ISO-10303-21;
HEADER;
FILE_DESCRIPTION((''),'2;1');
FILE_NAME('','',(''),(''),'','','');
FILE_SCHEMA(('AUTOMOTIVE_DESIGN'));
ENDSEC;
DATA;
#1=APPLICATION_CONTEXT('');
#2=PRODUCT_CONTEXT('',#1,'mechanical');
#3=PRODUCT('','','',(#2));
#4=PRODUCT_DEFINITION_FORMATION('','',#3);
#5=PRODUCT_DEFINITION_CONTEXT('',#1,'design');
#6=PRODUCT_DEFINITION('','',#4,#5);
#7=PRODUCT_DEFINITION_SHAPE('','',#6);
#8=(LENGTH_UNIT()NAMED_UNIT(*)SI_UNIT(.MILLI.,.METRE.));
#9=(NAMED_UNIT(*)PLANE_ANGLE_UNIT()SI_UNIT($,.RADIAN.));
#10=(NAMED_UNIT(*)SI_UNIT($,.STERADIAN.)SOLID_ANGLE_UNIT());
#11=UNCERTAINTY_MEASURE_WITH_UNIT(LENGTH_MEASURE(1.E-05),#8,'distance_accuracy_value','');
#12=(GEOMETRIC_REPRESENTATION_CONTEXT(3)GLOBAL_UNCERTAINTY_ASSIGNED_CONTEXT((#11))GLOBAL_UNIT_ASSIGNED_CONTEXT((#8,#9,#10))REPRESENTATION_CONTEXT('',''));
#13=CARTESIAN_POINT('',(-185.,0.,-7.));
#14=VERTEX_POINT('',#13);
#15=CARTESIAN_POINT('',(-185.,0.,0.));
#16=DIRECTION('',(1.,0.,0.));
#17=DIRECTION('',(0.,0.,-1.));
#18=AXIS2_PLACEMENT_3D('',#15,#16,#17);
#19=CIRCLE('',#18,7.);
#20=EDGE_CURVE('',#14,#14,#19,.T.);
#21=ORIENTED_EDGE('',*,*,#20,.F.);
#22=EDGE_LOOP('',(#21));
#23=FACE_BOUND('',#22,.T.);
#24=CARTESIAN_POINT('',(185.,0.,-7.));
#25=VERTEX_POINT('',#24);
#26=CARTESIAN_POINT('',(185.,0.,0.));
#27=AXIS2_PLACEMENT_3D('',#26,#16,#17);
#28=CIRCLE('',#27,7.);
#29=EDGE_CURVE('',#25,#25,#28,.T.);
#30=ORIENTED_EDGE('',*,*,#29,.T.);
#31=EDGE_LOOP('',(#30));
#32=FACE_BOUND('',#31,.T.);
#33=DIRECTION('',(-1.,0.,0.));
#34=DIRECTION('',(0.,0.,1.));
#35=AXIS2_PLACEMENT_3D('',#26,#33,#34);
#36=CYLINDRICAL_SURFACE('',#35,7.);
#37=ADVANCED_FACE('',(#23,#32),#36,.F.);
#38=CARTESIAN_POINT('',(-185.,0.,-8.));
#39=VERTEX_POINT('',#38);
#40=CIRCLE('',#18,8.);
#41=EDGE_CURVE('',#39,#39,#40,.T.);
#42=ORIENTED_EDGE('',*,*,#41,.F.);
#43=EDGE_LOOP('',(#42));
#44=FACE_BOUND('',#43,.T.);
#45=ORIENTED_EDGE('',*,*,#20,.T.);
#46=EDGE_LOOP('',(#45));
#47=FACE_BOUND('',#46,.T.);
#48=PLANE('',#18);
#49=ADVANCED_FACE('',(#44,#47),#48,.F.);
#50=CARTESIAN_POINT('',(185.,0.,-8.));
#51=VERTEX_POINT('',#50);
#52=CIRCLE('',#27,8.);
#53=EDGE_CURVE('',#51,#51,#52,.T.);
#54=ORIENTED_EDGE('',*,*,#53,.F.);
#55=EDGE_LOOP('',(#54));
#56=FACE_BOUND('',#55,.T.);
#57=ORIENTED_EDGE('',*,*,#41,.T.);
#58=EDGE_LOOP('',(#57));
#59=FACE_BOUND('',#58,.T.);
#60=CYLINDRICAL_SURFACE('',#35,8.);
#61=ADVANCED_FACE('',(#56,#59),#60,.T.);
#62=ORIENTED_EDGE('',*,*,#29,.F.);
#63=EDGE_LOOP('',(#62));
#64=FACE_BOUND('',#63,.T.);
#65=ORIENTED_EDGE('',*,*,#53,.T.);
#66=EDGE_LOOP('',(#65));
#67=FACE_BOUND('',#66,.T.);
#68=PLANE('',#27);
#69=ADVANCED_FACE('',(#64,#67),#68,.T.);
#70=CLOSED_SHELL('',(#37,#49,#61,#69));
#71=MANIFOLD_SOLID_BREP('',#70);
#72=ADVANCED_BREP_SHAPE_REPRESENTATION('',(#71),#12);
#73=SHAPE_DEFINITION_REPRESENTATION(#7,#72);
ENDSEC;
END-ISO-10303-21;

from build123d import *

# Parameters (mm, degrees)
SKETCH_1_R      = 8
SKETCH_1_R_2    = 7
EXTRUDE_1_DEPTH = 185


with BuildPart() as part:
    # 草图1 → 凸台-拉伸1 (new, symmetric)
    with BuildSketch(Plane(origin=(0, 0, 0), x_dir=(0, 0, -1), z_dir=(1, 0, 0))):
        Circle(SKETCH_1_R)
        Circle(SKETCH_1_R_2, mode=Mode.SUBTRACT)
    extrude(amount=EXTRUDE_1_DEPTH, both=True)


solid = part.part
